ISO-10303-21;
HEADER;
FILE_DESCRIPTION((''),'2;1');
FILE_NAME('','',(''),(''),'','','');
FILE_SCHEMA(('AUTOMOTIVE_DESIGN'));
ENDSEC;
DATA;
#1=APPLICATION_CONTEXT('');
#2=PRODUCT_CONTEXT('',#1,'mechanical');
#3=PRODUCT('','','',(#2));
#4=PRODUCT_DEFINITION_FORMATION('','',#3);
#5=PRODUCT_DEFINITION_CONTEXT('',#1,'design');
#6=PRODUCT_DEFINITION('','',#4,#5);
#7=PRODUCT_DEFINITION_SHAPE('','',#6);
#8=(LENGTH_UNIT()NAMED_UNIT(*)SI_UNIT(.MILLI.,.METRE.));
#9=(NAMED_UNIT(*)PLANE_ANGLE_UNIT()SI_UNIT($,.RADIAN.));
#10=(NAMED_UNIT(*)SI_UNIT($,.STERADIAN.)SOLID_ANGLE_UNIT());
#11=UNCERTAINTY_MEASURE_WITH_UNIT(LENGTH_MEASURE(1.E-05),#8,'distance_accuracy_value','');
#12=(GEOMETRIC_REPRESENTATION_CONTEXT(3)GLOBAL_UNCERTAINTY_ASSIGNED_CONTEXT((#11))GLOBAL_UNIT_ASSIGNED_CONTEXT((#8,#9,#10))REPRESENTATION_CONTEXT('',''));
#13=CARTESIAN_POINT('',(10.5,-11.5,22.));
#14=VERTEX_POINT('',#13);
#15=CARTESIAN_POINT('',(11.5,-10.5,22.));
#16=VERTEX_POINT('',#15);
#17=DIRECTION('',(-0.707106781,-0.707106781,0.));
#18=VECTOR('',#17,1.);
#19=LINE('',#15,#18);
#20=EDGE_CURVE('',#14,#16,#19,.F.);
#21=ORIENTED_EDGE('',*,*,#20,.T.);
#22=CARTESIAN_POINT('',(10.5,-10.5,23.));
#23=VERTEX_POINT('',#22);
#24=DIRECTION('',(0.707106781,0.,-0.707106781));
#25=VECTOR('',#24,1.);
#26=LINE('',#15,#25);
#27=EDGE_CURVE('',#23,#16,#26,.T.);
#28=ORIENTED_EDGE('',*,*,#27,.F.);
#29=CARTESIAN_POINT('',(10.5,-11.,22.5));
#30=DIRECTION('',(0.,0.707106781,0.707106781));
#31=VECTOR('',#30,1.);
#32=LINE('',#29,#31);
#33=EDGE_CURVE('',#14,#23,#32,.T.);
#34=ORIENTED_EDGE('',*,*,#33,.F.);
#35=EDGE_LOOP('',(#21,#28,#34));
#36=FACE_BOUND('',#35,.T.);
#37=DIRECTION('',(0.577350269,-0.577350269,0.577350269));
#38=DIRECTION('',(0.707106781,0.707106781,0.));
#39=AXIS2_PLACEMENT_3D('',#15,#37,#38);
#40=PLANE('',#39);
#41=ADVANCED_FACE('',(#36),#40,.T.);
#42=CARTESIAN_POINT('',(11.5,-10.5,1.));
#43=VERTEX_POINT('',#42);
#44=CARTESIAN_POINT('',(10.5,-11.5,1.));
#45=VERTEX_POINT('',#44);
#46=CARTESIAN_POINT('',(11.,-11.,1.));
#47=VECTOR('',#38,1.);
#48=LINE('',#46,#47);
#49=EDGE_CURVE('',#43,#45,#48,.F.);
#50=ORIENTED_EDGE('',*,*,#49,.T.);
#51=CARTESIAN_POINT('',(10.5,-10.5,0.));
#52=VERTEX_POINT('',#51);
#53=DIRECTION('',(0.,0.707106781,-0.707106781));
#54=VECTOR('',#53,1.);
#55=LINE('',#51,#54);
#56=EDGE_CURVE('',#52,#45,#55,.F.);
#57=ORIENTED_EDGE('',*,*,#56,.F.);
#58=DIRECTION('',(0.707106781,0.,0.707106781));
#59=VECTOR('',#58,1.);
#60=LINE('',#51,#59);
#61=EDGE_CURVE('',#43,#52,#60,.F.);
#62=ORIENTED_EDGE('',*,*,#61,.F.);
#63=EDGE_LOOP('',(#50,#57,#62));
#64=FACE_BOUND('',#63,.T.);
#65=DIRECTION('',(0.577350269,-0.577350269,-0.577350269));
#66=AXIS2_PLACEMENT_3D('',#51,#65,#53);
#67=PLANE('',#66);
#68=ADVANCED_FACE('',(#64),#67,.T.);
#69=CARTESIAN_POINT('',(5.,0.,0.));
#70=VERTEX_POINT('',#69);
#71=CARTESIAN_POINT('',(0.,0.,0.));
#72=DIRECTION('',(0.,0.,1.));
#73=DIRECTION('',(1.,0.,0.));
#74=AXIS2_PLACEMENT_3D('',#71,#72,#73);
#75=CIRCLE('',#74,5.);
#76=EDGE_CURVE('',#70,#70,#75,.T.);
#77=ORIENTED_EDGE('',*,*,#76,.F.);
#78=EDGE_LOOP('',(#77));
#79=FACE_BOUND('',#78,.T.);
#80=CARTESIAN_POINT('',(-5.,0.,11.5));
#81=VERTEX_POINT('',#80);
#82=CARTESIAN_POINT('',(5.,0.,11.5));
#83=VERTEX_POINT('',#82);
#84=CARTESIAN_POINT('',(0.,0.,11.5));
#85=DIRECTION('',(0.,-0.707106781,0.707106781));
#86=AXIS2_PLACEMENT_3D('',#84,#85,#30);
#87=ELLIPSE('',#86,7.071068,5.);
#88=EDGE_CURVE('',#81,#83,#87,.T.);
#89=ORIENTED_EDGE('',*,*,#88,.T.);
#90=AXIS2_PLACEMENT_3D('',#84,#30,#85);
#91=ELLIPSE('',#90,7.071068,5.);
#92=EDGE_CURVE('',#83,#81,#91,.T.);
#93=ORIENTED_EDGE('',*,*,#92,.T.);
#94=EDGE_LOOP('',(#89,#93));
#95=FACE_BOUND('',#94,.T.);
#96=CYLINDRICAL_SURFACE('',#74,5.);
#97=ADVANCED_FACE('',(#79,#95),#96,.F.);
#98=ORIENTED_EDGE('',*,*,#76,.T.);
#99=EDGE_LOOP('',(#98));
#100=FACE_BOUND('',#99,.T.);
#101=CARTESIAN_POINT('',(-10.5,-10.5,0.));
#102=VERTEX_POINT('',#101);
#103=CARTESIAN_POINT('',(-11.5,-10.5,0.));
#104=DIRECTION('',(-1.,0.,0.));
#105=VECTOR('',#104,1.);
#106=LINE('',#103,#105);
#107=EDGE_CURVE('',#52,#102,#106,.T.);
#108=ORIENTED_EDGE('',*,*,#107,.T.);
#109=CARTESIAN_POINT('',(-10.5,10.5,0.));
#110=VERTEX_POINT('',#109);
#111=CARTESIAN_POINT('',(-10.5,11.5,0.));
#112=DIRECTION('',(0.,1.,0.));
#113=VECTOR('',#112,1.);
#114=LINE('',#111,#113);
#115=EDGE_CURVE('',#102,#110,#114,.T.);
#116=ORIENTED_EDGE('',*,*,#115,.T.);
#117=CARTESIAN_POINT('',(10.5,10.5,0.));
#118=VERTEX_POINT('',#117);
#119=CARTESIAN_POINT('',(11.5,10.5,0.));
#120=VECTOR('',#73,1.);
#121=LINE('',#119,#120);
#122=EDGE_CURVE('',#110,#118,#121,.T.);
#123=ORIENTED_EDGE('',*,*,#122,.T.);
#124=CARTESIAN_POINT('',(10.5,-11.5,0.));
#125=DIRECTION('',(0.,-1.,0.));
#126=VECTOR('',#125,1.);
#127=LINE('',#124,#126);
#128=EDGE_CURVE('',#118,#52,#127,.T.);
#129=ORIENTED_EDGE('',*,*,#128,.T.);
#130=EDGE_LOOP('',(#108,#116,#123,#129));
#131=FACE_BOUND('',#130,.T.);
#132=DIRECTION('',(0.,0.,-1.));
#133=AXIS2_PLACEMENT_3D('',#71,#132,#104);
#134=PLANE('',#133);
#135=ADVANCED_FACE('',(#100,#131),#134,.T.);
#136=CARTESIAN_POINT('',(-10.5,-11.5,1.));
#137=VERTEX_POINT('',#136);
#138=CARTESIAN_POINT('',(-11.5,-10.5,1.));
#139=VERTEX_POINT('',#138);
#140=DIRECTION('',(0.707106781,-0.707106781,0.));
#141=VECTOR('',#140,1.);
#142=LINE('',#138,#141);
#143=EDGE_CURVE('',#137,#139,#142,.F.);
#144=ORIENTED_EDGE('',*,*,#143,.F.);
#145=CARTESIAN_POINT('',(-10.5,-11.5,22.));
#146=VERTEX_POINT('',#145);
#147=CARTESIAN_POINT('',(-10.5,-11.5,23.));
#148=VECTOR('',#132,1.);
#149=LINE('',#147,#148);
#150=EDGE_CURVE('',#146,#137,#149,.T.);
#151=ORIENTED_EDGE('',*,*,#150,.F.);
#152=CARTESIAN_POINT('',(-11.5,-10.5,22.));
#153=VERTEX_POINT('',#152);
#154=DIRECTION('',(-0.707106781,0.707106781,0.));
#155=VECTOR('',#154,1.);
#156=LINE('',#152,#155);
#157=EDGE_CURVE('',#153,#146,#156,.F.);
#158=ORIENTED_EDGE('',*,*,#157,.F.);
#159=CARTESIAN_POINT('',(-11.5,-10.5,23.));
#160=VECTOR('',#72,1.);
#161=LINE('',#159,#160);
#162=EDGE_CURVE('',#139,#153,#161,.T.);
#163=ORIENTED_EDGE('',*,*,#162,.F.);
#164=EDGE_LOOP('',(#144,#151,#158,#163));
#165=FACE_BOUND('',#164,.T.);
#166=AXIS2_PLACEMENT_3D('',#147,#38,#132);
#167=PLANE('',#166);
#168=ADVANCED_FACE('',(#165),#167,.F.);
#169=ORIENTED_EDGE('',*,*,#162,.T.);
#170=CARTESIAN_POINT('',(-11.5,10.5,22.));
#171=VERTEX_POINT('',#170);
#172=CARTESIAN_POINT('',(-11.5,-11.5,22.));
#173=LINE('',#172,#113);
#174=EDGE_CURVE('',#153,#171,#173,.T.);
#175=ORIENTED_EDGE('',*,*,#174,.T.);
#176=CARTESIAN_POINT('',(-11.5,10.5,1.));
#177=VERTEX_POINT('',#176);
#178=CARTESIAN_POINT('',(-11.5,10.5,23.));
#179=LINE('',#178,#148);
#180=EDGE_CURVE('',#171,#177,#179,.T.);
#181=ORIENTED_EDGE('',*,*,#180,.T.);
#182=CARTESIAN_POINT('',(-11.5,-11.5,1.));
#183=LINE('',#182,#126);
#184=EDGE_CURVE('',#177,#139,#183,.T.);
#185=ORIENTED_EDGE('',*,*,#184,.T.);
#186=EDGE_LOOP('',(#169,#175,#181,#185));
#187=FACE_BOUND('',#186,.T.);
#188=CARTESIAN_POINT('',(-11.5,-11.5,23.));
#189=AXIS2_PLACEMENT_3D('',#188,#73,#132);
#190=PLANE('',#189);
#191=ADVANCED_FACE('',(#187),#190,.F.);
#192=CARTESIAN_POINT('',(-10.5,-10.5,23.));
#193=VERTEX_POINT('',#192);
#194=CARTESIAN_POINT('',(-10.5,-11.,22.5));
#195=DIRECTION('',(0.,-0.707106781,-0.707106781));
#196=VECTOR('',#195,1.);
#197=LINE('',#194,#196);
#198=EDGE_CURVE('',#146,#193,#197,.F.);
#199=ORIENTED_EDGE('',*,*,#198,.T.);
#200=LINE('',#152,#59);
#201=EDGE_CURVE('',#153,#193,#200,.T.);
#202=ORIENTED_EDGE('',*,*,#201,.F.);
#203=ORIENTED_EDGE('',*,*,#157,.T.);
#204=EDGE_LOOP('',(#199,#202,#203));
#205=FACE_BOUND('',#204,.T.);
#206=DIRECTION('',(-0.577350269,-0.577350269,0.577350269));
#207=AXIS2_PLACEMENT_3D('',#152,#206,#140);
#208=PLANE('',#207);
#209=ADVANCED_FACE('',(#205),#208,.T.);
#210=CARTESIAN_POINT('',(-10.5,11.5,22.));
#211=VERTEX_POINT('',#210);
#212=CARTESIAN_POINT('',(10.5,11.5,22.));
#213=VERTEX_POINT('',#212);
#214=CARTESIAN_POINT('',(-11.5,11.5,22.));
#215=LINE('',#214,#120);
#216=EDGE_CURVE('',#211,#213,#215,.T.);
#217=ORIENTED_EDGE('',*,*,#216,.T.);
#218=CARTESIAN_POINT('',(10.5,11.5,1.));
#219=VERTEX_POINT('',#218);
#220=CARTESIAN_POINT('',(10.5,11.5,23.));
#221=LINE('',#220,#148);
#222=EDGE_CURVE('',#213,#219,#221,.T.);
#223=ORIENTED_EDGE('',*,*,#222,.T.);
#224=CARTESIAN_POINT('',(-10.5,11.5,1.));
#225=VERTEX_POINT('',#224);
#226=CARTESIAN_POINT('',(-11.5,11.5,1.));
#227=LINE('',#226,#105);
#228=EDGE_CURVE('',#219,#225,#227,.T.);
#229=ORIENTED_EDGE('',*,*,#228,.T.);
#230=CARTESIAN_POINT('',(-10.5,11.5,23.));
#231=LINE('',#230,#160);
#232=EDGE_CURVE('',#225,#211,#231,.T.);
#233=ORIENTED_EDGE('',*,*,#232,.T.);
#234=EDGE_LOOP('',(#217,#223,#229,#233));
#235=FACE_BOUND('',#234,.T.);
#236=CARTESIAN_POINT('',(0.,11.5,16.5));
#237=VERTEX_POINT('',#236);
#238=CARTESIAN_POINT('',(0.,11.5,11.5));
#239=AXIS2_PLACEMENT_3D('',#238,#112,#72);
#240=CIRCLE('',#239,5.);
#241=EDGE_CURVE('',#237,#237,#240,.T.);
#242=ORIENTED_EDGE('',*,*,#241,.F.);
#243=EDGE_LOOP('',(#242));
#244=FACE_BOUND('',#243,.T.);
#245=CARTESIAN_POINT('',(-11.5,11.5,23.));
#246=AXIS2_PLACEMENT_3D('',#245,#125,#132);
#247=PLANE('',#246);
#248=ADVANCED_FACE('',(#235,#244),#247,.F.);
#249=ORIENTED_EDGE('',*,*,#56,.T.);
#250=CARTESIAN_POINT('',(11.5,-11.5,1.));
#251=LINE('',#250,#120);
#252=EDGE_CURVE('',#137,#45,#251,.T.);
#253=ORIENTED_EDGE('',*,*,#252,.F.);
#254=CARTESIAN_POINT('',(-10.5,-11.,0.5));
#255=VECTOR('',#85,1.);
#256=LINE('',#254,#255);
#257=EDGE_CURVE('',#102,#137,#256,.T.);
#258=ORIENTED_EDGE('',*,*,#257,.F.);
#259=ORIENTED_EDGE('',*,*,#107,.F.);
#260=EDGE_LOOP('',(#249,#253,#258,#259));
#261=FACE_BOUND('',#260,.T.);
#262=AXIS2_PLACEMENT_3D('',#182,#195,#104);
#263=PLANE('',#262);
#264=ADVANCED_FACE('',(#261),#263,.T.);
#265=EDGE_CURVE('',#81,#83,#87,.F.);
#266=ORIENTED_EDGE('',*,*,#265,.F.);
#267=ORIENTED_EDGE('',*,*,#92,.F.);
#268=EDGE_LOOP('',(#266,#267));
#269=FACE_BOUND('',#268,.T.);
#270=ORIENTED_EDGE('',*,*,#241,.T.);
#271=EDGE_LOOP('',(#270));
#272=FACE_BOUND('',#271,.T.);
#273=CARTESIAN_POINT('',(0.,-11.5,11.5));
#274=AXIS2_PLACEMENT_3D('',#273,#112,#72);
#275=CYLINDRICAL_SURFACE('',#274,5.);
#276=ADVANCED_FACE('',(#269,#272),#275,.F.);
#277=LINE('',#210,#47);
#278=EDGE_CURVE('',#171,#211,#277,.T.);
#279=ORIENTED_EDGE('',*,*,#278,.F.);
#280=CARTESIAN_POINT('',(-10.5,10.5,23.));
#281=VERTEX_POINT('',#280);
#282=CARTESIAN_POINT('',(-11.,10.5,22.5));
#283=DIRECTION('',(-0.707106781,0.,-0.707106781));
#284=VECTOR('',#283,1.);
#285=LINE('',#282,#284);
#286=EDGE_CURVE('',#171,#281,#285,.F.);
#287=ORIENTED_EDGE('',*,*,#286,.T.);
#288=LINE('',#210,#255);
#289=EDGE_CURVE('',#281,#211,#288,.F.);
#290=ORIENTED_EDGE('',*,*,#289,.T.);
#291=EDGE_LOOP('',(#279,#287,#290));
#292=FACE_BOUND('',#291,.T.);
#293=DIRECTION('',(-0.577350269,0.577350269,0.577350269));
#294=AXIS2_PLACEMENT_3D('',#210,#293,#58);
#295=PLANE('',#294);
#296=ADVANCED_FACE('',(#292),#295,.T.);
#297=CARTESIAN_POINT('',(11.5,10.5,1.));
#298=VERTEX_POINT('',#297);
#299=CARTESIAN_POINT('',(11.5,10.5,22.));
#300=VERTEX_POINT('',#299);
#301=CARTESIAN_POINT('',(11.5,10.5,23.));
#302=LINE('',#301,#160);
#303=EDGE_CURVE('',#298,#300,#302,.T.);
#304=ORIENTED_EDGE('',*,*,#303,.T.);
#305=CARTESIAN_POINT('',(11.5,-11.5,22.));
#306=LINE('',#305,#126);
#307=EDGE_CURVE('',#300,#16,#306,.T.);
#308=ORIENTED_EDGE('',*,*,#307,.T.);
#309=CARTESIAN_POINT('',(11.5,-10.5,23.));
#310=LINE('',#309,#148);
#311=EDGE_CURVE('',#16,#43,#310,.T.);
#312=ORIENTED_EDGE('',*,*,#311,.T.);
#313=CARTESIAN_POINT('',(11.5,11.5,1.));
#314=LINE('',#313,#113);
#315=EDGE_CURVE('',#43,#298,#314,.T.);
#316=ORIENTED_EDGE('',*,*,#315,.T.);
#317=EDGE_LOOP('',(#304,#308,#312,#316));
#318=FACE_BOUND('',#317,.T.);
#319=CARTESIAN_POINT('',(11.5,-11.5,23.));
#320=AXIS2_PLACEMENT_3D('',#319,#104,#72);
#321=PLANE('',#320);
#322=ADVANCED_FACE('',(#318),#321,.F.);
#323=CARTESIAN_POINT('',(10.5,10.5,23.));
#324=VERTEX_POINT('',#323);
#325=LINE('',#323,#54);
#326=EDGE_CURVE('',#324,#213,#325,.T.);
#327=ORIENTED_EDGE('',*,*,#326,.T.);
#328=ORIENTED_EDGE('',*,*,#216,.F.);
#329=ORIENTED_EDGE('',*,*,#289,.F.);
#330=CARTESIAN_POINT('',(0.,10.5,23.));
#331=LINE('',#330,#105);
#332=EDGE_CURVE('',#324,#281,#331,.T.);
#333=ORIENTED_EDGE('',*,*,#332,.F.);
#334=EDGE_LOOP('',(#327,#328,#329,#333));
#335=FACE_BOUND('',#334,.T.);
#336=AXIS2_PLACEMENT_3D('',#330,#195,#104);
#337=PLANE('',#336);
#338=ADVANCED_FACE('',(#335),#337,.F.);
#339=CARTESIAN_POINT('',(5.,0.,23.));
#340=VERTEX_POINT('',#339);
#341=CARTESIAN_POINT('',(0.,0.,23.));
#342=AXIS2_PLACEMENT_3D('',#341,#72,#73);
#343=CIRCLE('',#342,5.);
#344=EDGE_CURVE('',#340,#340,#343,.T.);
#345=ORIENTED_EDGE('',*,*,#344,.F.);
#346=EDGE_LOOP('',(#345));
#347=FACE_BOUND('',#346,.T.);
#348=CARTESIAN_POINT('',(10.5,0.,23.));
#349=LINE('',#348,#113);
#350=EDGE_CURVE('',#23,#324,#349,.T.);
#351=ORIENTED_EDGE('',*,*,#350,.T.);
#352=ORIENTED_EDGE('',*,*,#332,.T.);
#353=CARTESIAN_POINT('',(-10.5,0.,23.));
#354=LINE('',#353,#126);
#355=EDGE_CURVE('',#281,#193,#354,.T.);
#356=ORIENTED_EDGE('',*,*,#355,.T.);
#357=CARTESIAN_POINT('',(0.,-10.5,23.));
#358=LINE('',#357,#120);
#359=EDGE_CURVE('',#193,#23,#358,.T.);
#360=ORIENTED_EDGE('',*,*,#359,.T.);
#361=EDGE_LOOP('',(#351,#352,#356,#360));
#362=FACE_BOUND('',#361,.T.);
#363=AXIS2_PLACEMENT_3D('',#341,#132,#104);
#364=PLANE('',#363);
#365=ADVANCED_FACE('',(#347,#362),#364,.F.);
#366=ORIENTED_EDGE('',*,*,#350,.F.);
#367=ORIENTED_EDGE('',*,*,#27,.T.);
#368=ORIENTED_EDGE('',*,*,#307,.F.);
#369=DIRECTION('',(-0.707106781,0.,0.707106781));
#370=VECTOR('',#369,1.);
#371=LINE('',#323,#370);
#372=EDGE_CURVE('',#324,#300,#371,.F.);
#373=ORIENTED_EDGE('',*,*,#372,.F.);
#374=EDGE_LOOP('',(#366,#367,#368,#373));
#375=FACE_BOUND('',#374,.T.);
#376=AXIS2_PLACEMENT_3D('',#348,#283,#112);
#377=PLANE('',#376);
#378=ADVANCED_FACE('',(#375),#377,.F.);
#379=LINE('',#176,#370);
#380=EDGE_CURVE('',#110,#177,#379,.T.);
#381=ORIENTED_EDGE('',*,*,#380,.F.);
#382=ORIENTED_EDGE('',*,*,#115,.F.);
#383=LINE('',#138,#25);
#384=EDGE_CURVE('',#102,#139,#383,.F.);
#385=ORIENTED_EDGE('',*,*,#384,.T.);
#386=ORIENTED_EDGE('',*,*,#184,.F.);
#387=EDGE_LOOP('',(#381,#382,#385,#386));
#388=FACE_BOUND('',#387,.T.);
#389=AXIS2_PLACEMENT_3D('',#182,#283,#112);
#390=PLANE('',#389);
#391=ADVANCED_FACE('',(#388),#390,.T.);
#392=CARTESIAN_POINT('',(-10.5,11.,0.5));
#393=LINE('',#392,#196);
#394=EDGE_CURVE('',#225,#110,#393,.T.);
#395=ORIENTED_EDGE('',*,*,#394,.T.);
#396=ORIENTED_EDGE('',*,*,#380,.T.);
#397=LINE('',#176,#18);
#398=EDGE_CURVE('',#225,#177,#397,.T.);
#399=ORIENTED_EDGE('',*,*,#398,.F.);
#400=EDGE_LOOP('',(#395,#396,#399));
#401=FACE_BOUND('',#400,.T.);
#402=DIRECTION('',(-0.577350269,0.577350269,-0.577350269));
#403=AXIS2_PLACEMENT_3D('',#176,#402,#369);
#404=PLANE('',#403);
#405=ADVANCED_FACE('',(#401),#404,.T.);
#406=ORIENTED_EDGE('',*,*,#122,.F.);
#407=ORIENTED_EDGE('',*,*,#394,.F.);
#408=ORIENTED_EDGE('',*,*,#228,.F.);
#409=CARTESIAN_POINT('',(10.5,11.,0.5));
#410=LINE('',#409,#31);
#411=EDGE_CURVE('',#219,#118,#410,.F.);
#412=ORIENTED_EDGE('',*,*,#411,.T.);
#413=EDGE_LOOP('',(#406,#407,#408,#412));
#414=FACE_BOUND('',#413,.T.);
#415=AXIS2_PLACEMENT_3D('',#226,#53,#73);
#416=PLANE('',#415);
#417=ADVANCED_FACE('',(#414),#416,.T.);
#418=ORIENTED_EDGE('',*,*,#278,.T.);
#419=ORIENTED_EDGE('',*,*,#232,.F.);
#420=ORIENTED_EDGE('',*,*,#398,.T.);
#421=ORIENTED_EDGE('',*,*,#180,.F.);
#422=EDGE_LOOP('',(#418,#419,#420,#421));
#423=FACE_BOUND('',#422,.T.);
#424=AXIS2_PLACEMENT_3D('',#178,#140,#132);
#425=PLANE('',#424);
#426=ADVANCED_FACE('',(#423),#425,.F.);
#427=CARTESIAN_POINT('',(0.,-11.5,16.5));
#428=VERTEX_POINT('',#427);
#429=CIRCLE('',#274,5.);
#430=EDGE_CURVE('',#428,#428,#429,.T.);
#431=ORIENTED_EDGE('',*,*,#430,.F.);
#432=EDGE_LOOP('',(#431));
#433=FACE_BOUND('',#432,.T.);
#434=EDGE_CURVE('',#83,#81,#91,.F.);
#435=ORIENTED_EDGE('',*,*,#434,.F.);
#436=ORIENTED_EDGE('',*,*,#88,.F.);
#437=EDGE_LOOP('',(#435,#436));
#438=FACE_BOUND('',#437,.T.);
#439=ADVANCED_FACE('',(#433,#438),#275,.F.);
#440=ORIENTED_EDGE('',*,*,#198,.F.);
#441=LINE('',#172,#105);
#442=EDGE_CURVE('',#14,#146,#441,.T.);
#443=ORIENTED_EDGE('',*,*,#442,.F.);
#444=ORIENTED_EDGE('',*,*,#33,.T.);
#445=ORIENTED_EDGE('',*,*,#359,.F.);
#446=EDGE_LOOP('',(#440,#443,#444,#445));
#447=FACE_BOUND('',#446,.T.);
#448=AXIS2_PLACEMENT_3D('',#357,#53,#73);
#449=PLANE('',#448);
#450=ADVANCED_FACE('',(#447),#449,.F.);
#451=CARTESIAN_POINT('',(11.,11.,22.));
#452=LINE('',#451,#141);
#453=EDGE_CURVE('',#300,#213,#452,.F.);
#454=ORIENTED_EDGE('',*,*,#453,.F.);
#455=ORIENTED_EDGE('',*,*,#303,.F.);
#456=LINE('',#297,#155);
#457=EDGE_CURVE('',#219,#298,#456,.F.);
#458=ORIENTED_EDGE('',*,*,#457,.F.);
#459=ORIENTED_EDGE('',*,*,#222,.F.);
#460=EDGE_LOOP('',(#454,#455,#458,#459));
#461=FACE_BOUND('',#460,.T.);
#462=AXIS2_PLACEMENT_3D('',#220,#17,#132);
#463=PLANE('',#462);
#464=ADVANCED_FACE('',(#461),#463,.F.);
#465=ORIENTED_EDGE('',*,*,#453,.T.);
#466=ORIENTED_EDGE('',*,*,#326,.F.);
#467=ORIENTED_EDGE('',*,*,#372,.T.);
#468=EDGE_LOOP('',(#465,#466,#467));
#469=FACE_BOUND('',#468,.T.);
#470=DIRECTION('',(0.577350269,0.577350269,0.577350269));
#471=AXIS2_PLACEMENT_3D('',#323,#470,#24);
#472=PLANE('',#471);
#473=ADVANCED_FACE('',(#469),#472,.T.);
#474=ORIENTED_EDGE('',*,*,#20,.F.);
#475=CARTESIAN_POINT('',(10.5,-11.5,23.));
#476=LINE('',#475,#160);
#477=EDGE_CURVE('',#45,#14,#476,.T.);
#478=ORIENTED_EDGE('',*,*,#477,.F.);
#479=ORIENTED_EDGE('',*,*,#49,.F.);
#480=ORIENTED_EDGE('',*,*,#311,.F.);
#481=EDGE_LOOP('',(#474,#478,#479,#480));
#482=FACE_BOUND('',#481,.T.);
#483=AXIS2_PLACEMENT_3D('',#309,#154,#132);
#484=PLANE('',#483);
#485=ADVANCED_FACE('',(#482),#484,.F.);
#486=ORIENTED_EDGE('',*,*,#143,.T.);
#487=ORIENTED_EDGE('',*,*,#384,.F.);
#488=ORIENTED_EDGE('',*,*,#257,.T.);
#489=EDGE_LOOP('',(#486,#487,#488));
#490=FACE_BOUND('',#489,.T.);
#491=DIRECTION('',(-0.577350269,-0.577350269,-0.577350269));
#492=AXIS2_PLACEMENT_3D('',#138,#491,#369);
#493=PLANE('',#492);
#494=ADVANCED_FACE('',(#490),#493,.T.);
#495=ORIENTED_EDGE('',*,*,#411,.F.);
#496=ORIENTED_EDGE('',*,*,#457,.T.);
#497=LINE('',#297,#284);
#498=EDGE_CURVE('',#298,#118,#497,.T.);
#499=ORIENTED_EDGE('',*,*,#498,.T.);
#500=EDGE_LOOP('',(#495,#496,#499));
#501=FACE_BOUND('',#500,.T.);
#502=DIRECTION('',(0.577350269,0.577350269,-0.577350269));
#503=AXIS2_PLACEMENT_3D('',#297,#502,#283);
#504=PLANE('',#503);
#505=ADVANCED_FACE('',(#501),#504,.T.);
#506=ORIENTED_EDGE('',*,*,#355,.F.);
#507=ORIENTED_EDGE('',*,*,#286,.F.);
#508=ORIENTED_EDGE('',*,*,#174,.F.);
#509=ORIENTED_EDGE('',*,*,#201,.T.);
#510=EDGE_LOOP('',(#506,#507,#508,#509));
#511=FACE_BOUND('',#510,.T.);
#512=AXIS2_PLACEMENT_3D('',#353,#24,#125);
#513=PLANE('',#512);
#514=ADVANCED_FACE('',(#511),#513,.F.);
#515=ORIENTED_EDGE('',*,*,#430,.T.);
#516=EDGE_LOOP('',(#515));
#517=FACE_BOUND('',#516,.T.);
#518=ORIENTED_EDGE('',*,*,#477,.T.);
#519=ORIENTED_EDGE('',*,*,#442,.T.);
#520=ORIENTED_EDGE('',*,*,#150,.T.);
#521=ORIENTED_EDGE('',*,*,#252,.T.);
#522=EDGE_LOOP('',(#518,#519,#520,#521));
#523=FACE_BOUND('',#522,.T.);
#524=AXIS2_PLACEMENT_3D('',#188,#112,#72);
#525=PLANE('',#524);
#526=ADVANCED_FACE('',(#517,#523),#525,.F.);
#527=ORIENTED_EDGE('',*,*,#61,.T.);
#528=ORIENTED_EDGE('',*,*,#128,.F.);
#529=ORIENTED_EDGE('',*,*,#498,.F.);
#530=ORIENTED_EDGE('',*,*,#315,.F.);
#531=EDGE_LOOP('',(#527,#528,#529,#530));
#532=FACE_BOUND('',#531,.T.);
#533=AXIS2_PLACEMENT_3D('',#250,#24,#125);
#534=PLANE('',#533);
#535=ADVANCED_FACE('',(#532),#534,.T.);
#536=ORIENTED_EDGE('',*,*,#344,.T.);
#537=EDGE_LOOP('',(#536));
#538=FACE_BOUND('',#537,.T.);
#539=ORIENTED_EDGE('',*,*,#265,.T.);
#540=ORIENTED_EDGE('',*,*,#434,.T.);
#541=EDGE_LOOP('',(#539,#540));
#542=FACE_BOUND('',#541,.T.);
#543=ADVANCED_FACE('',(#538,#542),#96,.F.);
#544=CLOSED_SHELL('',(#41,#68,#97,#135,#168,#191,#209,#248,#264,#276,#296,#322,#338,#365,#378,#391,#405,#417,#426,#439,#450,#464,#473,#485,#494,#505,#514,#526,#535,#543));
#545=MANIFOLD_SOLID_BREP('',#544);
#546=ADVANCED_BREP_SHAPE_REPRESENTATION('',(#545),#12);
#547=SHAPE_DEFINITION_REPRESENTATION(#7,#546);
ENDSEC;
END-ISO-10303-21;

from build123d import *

# Parameters (mm, degrees)
SKETCH1_W           = 23
SKETCH1_H           = 23
BOSS_EXTRUDE1_DEPTH = 23
SKETCH2_R           = 5
CUT_EXTRUDE1_DEPTH  = 23
CUT_EXTRUDE2_DEPTH  = 23
CHAMFER1_SIZE       = 1


with BuildPart() as part:
    # Sketch1 → Boss-Extrude1 (new body)
    with BuildSketch(Plane.XY):
        Rectangle(SKETCH1_W, SKETCH1_H)
    extrude(amount=BOSS_EXTRUDE1_DEPTH)

    # Sketch2 → Cut-Extrude1 (cut)
    with BuildSketch(Plane.XY.offset(23)):
        Circle(SKETCH2_R)
    extrude(amount=-CUT_EXTRUDE1_DEPTH, mode=Mode.SUBTRACT)

    # Sketch3 → Cut-Extrude2 (cut)
    with BuildSketch(Plane(origin=(0, 11.5, 0), x_dir=(1, 0, 0), z_dir=(0, 1, 0))):
        with BuildLine():
            ThreePointArc((5, -11.5), (3.535533906, -7.964466094), (0, -6.5))
            Line((0, -6.5), (0, -16.5))
            ThreePointArc((0, -16.5), (3.535533906, -15.035533906), (5, -11.5))
        make_face()
        with BuildLine():
            Line((0, -16.5), (0, -6.5))
            ThreePointArc((0, -6.5), (-5, -11.5), (0, -16.5))
        make_face()
    extrude(amount=-CUT_EXTRUDE2_DEPTH, mode=Mode.SUBTRACT)

    # Chamfer1
    chamfer1_edges = [part.edges().sort_by_distance(p)[0] for p in [
        (-11.5, 0, 23),
        (0, -11.5, 23),
        (11.5, 0, 23),
        (0, -11.5, 0),
        (-11.5, 0, 0),
        (0, 11.5, 0),
        (11.5, 0, 0),
        (0, 11.5, 23),
        (11.5, -11.5, 11.5),
        (-11.5, -11.5, 11.5),
        (-11.5, 11.5, 11.5),
        (11.5, 11.5, 11.5),
    ]]
    chamfer(chamfer1_edges, length=CHAMFER1_SIZE)


solid = part.part
